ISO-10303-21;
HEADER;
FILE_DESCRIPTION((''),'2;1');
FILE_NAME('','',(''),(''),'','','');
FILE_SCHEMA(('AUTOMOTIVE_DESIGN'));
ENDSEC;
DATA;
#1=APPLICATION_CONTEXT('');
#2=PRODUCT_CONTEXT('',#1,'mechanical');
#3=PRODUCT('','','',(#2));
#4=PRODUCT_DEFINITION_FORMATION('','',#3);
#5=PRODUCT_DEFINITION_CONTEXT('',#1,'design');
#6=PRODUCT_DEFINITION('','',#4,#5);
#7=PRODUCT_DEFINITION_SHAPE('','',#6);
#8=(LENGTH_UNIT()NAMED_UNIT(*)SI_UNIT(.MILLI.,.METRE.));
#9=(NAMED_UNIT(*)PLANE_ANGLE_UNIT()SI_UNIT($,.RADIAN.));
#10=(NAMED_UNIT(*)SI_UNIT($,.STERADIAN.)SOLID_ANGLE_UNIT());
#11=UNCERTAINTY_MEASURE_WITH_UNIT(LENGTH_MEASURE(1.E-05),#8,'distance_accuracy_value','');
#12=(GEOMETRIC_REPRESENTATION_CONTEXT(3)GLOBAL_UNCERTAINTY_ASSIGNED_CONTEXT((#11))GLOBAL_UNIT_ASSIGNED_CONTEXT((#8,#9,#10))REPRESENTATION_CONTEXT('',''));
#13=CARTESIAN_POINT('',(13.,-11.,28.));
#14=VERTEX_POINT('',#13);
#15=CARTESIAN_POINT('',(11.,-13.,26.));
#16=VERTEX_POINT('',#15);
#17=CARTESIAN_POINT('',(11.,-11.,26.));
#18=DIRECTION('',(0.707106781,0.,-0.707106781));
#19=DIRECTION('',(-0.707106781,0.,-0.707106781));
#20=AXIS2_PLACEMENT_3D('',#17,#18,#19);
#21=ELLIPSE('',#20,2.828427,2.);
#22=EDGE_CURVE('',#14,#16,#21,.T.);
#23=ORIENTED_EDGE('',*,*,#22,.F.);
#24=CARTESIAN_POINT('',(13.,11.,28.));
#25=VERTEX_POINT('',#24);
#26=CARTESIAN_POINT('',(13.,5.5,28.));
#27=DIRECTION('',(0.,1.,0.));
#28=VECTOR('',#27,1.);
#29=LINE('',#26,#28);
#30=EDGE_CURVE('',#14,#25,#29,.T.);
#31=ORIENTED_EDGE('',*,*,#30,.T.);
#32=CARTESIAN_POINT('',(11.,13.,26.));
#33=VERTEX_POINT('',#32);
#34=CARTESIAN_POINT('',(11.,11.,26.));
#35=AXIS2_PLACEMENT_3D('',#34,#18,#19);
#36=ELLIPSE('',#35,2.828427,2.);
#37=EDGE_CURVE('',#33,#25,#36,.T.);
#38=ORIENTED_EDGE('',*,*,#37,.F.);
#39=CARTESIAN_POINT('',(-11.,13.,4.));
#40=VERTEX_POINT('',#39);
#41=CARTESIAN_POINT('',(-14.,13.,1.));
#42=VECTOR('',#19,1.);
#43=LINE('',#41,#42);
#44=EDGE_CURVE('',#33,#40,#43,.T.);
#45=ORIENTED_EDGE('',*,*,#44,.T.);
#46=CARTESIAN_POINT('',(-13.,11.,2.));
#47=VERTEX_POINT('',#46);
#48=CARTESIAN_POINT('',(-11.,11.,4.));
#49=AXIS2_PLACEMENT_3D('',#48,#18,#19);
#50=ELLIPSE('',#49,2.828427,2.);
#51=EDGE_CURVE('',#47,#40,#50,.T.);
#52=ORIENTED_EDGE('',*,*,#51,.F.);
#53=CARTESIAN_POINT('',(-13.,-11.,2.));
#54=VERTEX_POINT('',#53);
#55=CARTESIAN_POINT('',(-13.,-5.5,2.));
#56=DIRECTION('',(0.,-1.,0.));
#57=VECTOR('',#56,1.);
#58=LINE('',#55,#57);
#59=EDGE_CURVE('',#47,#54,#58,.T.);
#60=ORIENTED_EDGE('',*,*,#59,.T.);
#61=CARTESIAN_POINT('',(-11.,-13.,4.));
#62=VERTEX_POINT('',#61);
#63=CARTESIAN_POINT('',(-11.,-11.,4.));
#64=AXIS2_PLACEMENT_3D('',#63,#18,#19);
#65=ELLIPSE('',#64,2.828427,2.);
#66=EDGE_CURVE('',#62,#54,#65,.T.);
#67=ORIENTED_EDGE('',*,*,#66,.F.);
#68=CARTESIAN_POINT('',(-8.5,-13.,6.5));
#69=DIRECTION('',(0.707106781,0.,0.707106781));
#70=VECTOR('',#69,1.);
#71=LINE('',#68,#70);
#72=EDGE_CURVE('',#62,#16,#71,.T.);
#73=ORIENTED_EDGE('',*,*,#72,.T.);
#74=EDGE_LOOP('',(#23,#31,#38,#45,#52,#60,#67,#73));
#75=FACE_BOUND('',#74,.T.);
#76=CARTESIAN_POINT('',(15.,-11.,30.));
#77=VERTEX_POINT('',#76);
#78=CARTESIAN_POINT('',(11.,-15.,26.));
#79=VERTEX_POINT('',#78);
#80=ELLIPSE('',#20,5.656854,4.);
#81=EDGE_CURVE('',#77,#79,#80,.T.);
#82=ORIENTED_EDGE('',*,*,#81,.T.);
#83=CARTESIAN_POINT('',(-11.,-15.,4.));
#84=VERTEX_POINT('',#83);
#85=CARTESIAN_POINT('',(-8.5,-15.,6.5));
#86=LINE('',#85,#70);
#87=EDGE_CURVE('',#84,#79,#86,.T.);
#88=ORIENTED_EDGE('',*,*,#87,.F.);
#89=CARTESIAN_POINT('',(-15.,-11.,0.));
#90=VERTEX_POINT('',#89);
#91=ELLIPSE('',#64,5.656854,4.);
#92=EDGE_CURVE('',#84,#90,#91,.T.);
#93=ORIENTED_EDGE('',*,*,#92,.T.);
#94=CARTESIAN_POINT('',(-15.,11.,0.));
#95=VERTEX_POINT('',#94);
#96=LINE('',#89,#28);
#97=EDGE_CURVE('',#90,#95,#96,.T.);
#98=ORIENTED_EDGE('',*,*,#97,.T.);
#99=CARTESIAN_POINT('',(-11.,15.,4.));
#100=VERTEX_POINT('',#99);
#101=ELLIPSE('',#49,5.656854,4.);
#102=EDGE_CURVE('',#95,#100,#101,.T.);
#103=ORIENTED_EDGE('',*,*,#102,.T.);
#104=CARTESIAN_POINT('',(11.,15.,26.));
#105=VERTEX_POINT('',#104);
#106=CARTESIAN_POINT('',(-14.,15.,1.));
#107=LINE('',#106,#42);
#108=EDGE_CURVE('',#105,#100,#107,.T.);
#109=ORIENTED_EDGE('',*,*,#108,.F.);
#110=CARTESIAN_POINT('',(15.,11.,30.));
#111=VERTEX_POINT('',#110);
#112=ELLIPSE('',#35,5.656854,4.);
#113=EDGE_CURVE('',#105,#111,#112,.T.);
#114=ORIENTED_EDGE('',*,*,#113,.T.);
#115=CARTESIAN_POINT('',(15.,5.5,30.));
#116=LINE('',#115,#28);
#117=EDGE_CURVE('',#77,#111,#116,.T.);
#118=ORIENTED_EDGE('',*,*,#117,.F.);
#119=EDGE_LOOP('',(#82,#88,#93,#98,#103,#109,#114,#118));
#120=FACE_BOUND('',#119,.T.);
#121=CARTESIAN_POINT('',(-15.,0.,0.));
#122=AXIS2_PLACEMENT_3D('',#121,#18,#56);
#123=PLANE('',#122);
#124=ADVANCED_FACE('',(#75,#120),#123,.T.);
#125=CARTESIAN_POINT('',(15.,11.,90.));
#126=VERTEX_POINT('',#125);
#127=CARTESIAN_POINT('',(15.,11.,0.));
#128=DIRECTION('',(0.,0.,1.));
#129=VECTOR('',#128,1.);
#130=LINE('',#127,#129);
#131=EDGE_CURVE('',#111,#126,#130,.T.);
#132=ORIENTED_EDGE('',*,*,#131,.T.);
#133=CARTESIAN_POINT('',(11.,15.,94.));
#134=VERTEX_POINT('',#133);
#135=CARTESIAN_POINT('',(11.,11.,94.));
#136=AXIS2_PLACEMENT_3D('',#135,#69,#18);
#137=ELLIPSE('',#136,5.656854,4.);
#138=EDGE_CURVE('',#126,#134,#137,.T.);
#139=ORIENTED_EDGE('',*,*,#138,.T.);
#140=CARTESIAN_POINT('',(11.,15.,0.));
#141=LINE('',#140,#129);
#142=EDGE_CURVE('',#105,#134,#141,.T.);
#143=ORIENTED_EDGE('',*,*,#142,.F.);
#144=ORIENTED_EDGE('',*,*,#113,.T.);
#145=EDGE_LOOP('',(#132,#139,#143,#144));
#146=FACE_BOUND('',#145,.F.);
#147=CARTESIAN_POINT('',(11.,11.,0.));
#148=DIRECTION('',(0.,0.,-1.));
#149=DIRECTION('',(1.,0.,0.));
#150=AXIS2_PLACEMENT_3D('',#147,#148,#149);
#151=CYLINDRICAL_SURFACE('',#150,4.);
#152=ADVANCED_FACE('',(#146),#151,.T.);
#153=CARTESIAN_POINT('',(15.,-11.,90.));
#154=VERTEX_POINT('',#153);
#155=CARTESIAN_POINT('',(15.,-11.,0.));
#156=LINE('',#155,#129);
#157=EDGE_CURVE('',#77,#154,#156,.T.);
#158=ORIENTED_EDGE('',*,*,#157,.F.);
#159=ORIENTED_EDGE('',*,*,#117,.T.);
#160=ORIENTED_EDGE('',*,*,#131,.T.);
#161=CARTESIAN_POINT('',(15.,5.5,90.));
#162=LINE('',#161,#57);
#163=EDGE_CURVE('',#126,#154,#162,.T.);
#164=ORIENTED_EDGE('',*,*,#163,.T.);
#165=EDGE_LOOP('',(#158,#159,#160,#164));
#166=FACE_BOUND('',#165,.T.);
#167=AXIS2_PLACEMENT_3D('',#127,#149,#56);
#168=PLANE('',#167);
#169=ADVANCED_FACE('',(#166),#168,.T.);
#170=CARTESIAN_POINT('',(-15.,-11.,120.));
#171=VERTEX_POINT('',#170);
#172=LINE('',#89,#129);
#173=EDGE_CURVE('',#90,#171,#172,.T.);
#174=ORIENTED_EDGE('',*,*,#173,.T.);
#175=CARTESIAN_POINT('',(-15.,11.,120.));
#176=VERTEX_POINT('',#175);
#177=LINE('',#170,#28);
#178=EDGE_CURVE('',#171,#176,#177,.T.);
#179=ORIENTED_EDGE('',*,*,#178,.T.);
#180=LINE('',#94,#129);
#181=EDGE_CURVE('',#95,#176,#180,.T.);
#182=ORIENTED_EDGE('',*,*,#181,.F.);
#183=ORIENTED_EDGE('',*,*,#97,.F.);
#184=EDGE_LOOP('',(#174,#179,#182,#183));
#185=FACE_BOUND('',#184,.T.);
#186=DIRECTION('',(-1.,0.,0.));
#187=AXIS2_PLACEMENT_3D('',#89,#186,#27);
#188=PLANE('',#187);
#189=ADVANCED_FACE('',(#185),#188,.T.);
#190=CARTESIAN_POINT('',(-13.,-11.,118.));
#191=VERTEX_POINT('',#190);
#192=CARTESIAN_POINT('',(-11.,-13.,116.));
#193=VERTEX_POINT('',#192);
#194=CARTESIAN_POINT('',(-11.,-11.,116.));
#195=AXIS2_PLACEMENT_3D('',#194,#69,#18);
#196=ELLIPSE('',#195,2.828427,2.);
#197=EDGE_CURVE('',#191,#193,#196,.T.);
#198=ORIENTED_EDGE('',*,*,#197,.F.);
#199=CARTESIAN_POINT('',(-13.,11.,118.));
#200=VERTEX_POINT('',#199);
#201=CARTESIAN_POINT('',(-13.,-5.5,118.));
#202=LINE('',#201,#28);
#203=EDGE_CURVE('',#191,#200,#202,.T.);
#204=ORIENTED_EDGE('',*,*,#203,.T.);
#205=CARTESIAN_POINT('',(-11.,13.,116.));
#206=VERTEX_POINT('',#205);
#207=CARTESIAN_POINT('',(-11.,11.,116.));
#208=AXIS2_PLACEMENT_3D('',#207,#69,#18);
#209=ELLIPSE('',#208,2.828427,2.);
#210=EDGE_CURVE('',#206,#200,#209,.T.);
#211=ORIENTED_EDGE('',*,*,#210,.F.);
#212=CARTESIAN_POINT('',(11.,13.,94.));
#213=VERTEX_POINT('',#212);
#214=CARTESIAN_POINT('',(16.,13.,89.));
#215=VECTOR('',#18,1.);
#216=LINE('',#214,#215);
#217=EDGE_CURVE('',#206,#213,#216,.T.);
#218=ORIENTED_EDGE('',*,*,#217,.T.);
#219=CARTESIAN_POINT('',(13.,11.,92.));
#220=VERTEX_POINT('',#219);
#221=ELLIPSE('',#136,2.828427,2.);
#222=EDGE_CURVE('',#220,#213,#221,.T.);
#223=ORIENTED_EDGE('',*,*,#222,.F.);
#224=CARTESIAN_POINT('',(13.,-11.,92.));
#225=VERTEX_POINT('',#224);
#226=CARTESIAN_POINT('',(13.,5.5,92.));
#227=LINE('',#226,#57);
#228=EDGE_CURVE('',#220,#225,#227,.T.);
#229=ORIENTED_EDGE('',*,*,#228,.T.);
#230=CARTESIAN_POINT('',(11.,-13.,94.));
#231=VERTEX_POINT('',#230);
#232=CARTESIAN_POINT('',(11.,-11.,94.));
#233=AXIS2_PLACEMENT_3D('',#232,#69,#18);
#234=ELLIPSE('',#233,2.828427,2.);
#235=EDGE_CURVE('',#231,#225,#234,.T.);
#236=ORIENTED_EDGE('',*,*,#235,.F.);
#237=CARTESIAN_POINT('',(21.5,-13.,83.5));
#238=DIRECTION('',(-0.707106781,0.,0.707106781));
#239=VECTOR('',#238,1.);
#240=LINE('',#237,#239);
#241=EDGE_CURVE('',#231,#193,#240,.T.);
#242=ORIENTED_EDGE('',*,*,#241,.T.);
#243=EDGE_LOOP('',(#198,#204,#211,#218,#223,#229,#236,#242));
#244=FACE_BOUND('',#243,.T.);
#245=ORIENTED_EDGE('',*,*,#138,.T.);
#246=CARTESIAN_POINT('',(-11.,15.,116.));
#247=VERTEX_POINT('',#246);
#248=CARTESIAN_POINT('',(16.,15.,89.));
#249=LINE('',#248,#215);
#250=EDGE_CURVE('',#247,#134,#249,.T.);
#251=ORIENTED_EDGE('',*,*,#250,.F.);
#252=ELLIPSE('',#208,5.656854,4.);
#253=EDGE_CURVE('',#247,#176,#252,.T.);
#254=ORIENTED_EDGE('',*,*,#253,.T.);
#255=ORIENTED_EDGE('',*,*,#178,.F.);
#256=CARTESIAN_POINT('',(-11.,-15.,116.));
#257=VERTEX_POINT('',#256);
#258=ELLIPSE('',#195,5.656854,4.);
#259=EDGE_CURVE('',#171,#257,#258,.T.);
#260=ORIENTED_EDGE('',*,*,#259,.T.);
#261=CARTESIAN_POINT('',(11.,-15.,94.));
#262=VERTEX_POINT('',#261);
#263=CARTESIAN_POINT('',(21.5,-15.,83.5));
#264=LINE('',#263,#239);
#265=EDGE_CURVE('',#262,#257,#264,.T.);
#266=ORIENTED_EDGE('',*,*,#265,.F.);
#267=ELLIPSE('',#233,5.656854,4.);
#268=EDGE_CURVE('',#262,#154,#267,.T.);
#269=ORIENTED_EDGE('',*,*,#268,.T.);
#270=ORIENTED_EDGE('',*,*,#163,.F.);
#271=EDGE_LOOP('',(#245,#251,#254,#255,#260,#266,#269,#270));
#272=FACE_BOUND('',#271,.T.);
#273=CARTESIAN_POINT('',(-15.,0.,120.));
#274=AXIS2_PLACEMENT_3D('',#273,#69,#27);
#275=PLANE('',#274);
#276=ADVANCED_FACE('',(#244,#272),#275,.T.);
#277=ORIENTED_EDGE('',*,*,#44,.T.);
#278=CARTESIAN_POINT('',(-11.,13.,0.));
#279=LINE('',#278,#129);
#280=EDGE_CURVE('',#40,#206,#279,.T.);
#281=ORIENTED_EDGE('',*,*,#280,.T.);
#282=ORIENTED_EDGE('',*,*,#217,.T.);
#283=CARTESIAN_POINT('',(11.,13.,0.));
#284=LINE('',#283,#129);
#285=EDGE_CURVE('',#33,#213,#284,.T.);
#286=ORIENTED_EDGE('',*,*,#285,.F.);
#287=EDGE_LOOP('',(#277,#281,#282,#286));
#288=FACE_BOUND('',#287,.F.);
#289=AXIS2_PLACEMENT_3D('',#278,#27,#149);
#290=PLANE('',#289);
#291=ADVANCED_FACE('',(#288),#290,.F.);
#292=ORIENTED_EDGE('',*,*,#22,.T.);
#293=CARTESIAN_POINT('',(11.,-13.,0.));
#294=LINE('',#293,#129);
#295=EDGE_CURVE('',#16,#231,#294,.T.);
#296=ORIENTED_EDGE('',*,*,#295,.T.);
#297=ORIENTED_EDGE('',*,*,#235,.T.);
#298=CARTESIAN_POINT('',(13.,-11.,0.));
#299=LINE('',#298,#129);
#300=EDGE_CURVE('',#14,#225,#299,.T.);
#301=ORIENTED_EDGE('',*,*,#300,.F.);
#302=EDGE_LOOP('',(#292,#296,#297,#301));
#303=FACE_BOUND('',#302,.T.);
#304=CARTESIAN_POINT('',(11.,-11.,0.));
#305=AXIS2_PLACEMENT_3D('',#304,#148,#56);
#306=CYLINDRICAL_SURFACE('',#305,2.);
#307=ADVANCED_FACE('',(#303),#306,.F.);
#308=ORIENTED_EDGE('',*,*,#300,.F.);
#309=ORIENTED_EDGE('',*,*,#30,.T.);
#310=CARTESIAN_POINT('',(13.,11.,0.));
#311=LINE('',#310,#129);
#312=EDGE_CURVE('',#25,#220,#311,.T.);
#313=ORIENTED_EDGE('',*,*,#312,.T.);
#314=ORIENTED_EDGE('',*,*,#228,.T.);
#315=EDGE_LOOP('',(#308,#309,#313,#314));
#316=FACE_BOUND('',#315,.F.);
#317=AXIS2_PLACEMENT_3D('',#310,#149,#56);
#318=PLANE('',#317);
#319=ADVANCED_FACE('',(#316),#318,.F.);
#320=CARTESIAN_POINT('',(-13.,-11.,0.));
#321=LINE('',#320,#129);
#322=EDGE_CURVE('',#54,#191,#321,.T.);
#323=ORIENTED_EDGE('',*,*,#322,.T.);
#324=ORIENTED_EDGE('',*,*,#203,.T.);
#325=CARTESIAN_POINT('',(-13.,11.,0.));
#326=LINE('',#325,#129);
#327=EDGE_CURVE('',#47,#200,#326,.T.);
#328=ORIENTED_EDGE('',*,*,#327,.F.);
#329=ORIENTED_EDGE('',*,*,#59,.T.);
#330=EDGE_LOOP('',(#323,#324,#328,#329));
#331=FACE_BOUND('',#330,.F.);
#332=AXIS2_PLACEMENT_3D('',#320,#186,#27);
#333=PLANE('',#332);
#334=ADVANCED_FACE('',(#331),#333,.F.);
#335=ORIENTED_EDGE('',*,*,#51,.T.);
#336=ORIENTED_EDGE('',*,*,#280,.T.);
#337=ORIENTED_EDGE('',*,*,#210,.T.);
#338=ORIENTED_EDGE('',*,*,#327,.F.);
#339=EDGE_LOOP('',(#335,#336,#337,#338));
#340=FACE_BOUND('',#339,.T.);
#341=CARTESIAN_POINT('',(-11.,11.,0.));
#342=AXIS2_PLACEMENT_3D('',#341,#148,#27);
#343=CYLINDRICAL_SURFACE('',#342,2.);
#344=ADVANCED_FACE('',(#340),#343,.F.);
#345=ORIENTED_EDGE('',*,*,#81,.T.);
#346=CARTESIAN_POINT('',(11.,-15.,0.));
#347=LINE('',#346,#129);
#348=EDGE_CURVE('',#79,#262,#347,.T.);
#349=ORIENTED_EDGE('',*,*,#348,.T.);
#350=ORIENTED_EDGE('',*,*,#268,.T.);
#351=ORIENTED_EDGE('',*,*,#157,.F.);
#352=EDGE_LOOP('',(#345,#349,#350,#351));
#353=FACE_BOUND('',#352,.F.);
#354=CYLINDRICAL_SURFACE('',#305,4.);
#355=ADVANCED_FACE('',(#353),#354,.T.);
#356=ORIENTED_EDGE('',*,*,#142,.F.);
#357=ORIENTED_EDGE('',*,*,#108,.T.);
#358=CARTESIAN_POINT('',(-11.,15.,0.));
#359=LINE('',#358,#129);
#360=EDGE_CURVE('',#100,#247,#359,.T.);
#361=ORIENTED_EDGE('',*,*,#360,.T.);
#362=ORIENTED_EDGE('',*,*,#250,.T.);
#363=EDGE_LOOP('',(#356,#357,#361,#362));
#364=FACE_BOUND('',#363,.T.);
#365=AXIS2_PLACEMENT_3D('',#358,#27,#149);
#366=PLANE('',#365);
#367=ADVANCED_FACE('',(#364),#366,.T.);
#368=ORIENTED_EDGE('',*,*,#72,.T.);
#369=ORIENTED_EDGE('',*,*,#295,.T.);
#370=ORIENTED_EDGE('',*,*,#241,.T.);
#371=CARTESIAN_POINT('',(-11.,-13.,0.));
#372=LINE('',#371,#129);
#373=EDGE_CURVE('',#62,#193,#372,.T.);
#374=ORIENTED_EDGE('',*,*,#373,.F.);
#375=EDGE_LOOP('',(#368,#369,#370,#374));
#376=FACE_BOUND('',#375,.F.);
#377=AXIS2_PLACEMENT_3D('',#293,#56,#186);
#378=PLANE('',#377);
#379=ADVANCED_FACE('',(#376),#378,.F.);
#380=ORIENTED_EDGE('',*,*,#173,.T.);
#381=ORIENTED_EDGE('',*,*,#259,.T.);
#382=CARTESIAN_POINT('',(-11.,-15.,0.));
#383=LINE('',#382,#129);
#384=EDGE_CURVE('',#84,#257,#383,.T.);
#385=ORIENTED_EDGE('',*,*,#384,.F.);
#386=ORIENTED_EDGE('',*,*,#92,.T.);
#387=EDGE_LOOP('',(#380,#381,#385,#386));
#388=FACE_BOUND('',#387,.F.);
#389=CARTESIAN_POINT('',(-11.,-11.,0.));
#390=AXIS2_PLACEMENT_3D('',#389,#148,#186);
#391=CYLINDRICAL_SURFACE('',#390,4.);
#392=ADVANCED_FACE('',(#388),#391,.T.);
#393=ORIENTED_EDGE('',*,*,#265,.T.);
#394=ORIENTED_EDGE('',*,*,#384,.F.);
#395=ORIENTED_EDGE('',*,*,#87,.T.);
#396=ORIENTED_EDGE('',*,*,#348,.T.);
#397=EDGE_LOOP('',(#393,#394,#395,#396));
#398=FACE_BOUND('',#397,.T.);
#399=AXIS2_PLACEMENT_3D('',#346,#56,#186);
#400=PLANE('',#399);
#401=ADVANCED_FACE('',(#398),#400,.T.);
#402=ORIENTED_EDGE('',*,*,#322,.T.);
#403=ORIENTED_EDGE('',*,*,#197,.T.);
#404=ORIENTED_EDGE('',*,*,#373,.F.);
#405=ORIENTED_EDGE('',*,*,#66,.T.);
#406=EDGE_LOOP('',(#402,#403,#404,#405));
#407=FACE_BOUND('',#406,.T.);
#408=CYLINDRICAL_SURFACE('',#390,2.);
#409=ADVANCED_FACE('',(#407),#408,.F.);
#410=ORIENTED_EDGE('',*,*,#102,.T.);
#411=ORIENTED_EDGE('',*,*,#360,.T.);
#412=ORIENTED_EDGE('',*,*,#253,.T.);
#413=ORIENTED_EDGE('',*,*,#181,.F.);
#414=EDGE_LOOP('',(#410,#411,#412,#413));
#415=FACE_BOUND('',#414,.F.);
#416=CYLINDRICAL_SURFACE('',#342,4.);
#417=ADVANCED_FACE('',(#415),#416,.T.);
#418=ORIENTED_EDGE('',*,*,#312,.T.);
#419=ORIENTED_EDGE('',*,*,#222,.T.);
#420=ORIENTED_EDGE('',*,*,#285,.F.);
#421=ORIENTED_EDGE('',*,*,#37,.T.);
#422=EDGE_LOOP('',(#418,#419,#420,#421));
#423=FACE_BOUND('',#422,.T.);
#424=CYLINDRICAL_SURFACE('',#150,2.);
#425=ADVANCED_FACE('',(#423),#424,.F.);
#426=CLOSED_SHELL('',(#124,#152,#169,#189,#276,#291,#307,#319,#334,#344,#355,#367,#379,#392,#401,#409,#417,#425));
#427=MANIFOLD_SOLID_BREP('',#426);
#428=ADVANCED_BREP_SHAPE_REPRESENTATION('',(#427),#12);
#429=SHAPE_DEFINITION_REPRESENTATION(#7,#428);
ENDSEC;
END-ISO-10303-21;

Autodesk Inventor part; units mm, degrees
ref_plane "Plano inicial" through (0, 0, 0) normal (0, 0, 1) x (1, 0, 0)
ref_plane "Plano final" through (0, 0, 120) normal (0, 0, 1) x (1, 0, 0)
sketch "Esboço" plane through (0, 0, 0) normal (0, 0, 1) x (1, 0, 0)
  line L0 (-15, -11) -> (-15, 11)
  line L1 (-11, 15) -> (11, 15)
  line L2 (15, 11) -> (15, -11)
  line L3 (11, -15) -> (-11, -15)
  arc A0 (-15, -11) -> (-11, -15) centre (-11, -11) ccw
  arc A1 (15, 11) -> (11, 15) centre (11, 11) ccw
  arc A2 (-11, 15) -> (-15, 11) centre (-11, 11) ccw
  arc A3 (11, -15) -> (15, -11) centre (11, -11) ccw
  arc A4 (-11, 13) -> (-13, 11) centre (-11, 11) ccw
  line L4 (-11, 13) -> (11, 13)
  arc A5 (13, 11) -> (11, 13) centre (11, 11) ccw
  line L5 (13, 11) -> (13, -11)
  arc A6 (11, -13) -> (13, -11) centre (11, -11) ccw
  line L6 (11, -13) -> (-11, -13)
  arc A7 (-13, -11) -> (-11, -13) centre (-11, -11) ccw
  line L7 (-13, -11) -> (-13, 11)
  line L8 (0, 22.1598) -> (0, -22.1598) construction
  line L9 (-22.1598, 0) -> (22.1598, 0) construction
  dimension "d7" = 4
  dimension "d9" = 30
  dimension "d11" = 30
  dimension "d12" = 2
  dimension "d15" = 15
  dimension "d16" = 15
extrude "Corpo" add sketch "Esboço" along normal up to surface (120 mm away) from surface at 0
sketch "Sketch3" plane through (0, 0, 0) normal (0, 0, 1) x (1, 0, 0)
  line L0 (0, 0) -> (10, 0)
ref_plane "Work Plane3" through (0, 0, 0) normal (0, -1, 0) x (1, 0, 0)
sketch "Sketch4" plane through (0, 0, 0) normal (0, -1, 0) x (1, 0, 0)
  line L0 (-2, 0) -> (12, 0)
  line L1 (-2, 120) -> (12, 120)
  dimension "d18" = 120
ref_plane "Plano de trabalho4" through (-15, 0, 0) normal (0.7071, 0, -0.7071) x (-0.7071, 0, -0.7071)
split "Dividir1" plane through (-15, 0, 0) removes the side toward (0.7071, 0, -0.7071)
ref_plane "Plano de trabalho5" through (-15, 0, 120) normal (0.7071, 0, 0.7071) x (0.7071, 0, -0.7071)
split "Dividir2" plane through (-15, 0, 120) removes the side toward (0.7071, 0, 0.7071)
equation "\"d7\" = G_IR"
equation "\"d9\" = G_W"
equation "\"d11\" = G_H"
equation "\"d12\" = G_T"
equation "\"d15\" = 0.5 * d9"
equation "\"d16\" = 0.5 * d11"
equation "\"d3\" = G_L"
equation "\"G_W\" = 30"
equation "\"G_H\" = 30"
equation "\"G_T\" = 2"
equation "\"G_IR\" = 4"
equation "\"G_L\" = d18"
equation "\"G_OFFSET_START\" = 0"
equation "\"G_OFFSET_END\" = 0"
properties part number "ISO 10799-2 - 30x30x2 - 120" material "Aço, suave"
